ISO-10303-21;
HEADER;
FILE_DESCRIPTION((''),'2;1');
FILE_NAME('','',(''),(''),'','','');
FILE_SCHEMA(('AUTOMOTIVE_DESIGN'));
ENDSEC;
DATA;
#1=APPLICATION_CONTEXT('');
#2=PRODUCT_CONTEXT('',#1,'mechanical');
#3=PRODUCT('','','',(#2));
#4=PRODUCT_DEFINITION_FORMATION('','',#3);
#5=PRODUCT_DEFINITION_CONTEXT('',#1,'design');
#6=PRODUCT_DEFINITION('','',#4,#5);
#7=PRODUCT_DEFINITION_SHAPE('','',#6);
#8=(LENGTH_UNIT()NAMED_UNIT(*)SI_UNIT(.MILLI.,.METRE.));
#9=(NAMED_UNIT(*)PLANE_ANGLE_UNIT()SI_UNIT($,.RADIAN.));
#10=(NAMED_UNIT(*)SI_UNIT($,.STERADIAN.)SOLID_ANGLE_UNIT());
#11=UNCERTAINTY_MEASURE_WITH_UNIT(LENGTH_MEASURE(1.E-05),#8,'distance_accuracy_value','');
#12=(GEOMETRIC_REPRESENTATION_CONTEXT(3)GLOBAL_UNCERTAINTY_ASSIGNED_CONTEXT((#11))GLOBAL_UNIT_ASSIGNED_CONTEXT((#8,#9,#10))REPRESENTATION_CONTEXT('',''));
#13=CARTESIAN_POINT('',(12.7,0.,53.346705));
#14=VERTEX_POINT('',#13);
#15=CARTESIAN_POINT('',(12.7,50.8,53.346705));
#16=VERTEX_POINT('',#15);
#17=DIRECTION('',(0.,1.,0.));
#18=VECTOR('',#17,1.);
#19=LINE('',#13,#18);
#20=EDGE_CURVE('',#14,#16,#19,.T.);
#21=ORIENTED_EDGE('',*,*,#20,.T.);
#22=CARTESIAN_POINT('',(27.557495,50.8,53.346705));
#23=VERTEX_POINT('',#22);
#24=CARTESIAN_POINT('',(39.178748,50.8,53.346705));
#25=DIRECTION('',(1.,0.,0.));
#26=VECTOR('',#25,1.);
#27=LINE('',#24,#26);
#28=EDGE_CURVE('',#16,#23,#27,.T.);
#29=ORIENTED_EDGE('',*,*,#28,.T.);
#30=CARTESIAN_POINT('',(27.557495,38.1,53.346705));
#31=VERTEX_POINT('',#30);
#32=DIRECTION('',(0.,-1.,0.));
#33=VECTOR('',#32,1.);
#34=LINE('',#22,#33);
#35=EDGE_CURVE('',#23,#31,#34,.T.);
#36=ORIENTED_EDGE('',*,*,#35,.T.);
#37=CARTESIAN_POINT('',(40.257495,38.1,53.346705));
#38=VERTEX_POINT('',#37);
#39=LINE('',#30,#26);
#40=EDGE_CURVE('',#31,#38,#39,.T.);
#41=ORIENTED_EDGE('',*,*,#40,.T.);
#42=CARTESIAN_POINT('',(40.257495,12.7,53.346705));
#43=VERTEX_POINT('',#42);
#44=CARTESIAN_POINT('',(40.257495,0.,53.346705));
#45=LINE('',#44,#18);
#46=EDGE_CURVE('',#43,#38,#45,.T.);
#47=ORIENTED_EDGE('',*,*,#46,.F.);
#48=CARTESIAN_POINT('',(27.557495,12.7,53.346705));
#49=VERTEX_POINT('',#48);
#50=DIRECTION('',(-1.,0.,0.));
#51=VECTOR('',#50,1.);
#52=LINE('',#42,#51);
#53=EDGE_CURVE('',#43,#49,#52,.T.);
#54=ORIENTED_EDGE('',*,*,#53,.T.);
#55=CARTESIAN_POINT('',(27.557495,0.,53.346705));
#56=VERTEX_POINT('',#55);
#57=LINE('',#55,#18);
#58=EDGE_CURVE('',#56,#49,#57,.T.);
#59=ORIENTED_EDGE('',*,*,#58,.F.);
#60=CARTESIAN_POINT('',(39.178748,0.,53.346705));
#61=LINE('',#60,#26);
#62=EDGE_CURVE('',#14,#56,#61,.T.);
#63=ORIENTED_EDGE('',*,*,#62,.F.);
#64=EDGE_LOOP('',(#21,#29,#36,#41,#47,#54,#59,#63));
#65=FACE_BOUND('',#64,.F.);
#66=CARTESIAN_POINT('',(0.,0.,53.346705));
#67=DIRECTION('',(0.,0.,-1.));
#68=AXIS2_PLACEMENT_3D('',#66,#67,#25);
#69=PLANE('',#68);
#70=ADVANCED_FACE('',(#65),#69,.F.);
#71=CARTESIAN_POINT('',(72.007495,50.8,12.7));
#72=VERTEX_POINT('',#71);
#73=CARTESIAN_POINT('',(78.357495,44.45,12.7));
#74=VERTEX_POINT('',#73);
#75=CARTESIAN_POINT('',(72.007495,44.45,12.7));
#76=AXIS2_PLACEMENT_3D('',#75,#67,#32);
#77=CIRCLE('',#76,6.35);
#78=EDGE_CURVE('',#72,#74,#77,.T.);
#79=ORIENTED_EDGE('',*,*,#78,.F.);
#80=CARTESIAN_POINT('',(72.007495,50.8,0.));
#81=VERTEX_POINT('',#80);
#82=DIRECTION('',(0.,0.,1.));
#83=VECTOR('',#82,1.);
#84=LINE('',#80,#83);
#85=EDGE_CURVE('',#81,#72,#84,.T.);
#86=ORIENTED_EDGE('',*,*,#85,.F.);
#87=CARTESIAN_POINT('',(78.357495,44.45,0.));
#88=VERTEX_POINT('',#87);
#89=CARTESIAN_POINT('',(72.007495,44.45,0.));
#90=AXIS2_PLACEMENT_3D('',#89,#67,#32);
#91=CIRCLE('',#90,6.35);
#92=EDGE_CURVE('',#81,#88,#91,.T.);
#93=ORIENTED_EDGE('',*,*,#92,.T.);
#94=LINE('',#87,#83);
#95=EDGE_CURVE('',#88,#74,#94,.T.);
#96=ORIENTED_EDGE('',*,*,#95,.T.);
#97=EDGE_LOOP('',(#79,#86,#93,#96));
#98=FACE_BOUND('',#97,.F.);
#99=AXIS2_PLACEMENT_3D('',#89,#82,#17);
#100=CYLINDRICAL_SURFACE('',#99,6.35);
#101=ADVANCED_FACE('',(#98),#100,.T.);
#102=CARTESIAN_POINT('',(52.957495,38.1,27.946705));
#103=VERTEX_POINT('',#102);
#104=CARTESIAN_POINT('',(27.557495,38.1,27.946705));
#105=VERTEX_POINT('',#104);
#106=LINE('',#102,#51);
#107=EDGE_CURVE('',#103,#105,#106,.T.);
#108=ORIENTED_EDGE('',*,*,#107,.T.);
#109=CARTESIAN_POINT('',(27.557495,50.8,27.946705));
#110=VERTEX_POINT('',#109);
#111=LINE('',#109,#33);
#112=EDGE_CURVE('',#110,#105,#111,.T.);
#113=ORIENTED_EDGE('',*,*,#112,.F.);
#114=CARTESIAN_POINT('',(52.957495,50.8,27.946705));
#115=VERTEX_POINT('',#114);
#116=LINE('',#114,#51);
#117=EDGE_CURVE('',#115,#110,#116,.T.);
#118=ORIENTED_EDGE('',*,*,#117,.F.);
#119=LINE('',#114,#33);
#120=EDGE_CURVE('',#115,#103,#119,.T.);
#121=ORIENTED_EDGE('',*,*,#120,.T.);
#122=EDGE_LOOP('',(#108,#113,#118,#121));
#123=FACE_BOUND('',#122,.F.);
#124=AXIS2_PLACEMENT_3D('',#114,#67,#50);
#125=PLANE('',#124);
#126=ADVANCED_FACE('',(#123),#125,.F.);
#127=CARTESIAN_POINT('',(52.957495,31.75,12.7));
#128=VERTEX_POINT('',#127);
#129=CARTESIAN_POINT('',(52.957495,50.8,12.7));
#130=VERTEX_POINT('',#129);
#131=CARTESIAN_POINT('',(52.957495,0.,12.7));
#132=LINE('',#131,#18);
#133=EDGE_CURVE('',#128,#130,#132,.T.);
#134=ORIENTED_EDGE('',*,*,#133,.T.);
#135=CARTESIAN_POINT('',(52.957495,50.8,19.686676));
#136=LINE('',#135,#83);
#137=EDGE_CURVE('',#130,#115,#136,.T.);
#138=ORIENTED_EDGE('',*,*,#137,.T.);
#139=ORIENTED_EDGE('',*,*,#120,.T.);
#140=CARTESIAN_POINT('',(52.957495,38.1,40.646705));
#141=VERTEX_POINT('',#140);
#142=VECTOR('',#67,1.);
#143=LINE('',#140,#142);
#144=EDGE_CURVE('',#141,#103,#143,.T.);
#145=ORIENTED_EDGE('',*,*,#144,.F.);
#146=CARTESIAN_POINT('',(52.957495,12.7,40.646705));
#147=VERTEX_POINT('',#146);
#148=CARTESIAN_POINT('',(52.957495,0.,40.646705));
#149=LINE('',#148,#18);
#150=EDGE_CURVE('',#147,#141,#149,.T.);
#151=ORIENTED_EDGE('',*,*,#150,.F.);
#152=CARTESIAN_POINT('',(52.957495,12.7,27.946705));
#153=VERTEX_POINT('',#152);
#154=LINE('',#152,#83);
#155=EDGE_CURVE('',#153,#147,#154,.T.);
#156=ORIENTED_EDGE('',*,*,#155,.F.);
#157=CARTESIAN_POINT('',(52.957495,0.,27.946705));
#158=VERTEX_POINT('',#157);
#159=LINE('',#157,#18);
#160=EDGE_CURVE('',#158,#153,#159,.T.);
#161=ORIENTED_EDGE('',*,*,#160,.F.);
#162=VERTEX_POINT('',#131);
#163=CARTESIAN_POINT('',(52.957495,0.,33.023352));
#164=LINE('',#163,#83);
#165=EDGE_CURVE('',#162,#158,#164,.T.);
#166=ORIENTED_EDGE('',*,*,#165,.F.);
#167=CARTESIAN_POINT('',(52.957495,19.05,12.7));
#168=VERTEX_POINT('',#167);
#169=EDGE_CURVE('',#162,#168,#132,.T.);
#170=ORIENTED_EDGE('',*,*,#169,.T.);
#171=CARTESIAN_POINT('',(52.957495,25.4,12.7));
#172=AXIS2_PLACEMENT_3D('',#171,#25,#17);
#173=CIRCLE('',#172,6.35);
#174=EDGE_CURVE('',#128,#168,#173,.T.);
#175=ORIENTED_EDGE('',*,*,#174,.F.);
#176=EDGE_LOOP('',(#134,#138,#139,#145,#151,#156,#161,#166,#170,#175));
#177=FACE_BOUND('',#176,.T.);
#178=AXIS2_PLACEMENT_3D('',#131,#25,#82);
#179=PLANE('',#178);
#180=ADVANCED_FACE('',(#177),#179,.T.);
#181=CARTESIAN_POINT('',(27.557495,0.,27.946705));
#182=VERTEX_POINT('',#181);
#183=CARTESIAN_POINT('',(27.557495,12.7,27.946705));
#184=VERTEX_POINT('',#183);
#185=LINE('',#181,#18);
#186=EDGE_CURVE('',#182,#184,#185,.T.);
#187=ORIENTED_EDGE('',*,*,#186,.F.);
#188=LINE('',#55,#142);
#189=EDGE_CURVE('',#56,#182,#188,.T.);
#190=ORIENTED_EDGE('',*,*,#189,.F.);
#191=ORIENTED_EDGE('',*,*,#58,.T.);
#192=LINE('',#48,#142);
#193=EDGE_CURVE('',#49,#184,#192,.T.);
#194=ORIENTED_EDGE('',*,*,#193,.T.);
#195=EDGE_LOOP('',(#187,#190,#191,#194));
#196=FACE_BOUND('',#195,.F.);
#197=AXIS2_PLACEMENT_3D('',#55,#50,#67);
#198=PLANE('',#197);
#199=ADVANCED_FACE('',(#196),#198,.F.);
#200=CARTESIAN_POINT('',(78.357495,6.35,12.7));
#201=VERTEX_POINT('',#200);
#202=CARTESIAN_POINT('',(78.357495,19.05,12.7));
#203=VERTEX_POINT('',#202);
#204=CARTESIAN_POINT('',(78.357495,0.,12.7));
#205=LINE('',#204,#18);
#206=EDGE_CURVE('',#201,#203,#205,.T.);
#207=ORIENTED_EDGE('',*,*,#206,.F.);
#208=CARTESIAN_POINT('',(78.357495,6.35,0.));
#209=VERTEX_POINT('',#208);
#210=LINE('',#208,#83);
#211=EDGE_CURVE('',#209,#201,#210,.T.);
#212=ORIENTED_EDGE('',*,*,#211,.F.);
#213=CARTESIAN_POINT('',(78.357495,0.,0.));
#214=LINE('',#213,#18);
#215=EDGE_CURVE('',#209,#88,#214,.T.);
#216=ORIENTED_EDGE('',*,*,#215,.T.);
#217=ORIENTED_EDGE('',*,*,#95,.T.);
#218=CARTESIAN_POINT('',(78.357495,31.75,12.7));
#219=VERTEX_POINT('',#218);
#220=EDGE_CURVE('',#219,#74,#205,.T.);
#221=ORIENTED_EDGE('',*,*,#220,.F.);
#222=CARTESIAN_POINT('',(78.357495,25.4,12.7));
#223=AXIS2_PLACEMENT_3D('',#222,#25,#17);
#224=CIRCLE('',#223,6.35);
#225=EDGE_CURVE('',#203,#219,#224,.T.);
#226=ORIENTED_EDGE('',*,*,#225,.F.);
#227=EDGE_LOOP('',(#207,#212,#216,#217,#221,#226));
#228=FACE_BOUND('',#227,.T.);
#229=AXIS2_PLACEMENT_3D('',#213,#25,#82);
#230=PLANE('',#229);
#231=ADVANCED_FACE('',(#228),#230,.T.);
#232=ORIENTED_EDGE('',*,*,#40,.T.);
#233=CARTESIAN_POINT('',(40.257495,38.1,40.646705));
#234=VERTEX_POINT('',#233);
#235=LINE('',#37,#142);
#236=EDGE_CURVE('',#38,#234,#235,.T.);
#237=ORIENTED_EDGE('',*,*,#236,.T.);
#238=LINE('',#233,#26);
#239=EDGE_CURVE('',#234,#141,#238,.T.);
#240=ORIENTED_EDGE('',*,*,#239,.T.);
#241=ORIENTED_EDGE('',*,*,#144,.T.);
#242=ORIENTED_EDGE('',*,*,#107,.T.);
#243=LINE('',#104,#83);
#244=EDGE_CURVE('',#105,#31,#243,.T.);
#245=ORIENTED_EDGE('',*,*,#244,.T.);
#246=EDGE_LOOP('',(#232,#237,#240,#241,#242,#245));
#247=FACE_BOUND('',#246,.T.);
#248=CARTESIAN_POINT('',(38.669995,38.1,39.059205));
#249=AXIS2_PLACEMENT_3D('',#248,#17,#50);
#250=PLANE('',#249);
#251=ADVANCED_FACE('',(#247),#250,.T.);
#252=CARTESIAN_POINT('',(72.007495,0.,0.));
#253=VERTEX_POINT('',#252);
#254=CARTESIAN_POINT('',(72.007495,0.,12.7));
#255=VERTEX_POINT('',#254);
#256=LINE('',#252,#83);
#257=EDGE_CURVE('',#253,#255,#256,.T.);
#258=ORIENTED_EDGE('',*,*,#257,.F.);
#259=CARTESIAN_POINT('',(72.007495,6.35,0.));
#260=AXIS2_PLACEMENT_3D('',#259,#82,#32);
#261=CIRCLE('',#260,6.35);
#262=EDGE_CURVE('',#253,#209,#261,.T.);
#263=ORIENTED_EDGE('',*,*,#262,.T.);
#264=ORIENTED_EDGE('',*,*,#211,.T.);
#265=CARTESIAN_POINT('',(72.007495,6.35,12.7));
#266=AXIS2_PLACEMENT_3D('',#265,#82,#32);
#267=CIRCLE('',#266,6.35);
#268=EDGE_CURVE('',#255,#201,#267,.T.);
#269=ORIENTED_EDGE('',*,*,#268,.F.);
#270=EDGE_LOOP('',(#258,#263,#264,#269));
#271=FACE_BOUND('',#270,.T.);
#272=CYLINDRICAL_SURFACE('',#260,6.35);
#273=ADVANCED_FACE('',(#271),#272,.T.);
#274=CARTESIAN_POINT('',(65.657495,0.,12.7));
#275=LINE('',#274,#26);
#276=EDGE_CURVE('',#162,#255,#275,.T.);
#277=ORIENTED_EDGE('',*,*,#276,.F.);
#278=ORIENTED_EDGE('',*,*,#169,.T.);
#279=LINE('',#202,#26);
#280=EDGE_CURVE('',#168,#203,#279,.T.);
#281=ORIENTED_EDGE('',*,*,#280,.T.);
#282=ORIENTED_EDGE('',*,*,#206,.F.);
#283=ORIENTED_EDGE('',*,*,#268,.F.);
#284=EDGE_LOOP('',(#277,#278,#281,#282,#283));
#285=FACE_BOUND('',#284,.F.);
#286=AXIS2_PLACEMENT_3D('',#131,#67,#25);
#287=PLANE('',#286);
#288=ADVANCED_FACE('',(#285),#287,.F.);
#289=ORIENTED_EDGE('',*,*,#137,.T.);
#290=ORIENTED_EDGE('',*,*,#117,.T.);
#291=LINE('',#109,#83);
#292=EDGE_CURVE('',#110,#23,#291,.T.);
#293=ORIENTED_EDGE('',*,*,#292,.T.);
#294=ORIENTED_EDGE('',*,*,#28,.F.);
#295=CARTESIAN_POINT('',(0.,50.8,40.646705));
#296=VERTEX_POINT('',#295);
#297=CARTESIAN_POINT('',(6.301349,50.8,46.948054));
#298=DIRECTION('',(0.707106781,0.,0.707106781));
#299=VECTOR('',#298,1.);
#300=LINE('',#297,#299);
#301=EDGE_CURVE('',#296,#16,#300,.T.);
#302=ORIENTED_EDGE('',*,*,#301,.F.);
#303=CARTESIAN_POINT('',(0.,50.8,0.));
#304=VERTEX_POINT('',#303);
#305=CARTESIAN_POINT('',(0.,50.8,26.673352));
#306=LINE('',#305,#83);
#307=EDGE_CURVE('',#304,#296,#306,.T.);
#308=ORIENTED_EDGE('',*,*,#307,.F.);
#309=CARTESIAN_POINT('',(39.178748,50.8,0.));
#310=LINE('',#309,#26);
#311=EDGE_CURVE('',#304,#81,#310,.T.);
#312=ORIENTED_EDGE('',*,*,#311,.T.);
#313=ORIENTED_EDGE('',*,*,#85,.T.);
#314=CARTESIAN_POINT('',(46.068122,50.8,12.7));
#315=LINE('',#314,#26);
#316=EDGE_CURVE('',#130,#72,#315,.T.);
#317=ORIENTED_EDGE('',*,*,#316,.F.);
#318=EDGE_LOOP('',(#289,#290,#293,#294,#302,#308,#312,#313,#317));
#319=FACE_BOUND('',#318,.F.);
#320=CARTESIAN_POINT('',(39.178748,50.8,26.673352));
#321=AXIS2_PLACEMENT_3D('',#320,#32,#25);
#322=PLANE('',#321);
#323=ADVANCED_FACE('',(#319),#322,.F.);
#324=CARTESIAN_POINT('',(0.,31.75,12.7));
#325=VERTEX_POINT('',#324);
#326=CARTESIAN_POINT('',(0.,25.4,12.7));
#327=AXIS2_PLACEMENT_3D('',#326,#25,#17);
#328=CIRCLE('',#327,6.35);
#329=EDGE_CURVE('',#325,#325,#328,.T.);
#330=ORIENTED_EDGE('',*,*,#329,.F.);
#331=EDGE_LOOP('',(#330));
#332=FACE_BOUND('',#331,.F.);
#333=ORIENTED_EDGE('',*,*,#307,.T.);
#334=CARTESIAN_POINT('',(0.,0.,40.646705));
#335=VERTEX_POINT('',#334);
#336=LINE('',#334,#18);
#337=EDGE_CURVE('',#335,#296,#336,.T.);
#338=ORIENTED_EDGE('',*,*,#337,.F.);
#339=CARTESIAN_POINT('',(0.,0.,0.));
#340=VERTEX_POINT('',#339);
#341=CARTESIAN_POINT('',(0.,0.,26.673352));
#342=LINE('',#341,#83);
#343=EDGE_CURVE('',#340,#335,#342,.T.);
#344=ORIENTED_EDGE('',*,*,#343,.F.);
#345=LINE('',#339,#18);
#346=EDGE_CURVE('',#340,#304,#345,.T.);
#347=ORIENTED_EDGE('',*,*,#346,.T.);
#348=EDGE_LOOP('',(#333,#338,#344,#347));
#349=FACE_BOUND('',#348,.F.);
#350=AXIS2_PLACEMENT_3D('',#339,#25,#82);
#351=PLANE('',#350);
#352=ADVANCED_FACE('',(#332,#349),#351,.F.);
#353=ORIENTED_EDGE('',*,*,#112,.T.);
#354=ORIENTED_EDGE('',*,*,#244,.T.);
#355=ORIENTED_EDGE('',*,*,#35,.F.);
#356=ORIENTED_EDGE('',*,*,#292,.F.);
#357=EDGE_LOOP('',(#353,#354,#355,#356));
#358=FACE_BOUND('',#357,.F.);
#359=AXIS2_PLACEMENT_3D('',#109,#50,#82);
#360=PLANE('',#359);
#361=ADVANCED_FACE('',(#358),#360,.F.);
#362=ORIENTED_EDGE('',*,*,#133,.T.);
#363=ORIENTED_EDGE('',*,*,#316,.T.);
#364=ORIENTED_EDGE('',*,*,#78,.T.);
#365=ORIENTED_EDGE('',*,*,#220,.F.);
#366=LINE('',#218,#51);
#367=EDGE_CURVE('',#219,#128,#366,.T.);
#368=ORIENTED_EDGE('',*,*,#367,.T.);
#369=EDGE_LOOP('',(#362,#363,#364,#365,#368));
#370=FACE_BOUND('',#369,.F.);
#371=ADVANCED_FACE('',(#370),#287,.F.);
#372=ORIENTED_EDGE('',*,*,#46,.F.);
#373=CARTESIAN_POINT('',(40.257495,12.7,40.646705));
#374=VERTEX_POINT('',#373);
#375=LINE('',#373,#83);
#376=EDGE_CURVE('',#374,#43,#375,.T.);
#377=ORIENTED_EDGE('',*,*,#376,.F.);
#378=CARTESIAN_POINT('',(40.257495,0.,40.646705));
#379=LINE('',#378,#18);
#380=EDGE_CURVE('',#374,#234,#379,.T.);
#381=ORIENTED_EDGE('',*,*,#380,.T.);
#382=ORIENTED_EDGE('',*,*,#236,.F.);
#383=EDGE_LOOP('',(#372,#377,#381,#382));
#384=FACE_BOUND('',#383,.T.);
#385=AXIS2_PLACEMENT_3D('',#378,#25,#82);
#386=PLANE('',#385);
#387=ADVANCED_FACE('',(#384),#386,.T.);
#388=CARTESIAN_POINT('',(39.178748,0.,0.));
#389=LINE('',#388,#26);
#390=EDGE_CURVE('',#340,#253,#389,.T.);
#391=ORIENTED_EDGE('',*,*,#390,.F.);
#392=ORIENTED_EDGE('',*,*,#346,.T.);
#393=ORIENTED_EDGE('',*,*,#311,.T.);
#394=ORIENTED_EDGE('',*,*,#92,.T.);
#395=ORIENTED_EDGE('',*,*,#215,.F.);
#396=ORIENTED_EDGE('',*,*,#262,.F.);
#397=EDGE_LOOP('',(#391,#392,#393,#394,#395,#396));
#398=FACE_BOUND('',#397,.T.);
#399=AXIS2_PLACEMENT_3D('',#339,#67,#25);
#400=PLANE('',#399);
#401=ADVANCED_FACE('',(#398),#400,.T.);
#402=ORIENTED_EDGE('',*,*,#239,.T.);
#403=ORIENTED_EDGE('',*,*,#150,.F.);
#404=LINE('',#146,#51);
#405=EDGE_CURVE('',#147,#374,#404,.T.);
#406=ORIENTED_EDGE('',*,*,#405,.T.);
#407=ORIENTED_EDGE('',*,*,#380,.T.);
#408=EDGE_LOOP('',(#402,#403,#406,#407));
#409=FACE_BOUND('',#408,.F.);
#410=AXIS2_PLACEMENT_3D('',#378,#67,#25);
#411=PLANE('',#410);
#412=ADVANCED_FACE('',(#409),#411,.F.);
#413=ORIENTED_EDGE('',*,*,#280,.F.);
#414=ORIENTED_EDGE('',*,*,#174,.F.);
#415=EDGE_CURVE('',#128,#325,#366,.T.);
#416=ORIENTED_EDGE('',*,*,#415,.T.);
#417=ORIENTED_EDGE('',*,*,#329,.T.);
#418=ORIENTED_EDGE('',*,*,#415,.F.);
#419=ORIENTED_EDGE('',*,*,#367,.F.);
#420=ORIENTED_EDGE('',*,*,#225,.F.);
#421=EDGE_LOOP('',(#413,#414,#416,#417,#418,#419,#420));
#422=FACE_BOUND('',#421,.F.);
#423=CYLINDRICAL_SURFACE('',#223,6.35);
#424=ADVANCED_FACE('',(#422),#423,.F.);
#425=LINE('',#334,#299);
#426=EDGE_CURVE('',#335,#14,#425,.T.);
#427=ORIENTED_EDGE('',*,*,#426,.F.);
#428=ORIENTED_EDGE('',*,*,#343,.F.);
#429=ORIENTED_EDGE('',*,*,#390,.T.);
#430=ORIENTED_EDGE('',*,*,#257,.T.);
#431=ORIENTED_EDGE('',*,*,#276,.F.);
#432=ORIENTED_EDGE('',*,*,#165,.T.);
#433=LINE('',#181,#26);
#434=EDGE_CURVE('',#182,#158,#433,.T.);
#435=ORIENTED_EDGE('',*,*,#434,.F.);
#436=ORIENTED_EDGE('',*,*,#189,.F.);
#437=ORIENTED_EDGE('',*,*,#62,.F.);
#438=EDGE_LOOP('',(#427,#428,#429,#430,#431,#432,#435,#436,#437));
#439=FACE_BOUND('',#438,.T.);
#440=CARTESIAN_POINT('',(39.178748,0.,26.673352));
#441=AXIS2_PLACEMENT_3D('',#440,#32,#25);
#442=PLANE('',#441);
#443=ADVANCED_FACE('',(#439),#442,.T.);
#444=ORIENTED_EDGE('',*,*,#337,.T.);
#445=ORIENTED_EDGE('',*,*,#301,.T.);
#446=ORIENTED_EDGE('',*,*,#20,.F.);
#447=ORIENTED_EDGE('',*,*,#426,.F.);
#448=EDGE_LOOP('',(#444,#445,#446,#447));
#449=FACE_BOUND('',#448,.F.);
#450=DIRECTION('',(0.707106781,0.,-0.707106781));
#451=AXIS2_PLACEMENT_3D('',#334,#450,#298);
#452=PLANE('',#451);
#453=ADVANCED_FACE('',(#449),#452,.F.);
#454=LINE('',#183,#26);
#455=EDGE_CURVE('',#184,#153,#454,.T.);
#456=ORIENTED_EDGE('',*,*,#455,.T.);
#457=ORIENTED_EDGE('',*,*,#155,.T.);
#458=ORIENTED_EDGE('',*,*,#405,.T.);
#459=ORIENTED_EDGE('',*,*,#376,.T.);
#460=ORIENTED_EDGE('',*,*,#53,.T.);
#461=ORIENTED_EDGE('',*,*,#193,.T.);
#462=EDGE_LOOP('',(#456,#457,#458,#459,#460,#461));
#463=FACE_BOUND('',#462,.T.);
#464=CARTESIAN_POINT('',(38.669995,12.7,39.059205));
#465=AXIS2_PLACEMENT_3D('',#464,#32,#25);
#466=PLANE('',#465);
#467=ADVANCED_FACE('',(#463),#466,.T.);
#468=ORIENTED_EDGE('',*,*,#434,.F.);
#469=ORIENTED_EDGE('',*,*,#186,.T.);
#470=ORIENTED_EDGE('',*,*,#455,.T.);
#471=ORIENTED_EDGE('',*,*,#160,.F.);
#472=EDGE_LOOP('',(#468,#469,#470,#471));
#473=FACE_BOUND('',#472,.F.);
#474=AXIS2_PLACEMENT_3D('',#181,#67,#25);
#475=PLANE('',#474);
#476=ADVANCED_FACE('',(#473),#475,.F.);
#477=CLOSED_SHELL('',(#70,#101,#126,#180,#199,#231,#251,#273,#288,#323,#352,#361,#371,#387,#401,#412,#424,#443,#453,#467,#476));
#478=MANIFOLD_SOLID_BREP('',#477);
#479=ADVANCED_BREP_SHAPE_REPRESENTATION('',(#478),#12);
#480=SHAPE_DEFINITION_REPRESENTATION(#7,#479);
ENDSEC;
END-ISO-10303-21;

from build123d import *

# Parameters (mm, degrees)
F0_W      = 78.3574953675
F0_H      = 53.3467046916
F1_DEPTH  = 50.8
F3_DEPTH  = 50.801
F4_W      = 25.4
F4_H      = 40.6467046916
F5_DEPTH  = 50.801
F6_W      = 12.7
F6_H      = 12.7
F7_DEPTH  = 50.801
F9_DEPTH  = 12.7
F11_DEPTH = 12.7
F13_DEPTH = 78.3584953675
F14_R     = 6.35


with BuildPart() as f1:
    # F0 (on Front) → F1 (new body)
    with BuildSketch(Plane.XZ):
        with Locations((39.1787476838, 26.6733523458)):
            Rectangle(F0_W, F0_H)
    extrude(amount=-F1_DEPTH)

    # F2 (on face) → F3 (cut, through all)
    with BuildSketch(Plane.XZ):
        Polygon((0, 53.3467046916), (0, 40.6467046916), (12.7, 53.3467046916), align=None)
    extrude(amount=-F3_DEPTH, mode=Mode.SUBTRACT)

    # F4 (on face) → F5 (cut, through all)
    with BuildSketch(Plane.XZ):
        with Locations((65.6574953675, 33.0233523458)):
            Rectangle(F4_W, F4_H)
    extrude(amount=-F5_DEPTH, mode=Mode.SUBTRACT)

    # F6 (on face) → F7 (cut, through all)
    with BuildSketch(Plane.XZ):
        with Locations((46.6074953675, 46.9967046916)):
            Rectangle(F6_W, F6_H)
    extrude(amount=-F7_DEPTH, mode=Mode.SUBTRACT)

    # F8 (on face) → F9 (cut)
    with BuildSketch(Plane.XZ):
        Polygon((27.5574953675, 27.9467046916), (52.9574953675, 27.9467046916), (52.9574953675, 40.6467046916), (40.2574953675, 40.6467046916), (40.2574953675, 53.3467046916), (27.5574953675, 53.3467046916), align=None)
    extrude(amount=-F9_DEPTH, mode=Mode.SUBTRACT)

    # F10 (on face) → F11 (cut)
    with BuildSketch(Plane(origin=(0, 50.8, 0), x_dir=(-1, 0, 0), z_dir=(0, 1, 0))):
        Polygon((-52.9574953675, 40.6467046916), (-52.9574953675, 27.9467046916), (-27.5574953675, 27.9467046916), (-27.5574953675, 53.3467046916), (-40.2574953675, 53.3467046916), (-40.2574953675, 40.6467046916), align=None)
    extrude(amount=-F11_DEPTH, mode=Mode.SUBTRACT)

    # F12 (on face) → F13 (cut, through all)
    with BuildSketch(Plane.YZ.offset(78.3574953675)):
        with BuildLine():
            ThreePointArc((19.05, 12.7), (25.4, 6.35), (31.75, 12.7))
            Line((31.75, 12.7), (19.05, 12.7))
        make_face()
        with BuildLine():
            Line((19.05, 12.7), (31.75, 12.7))
            ThreePointArc((31.75, 12.7), (25.4, 19.05), (19.05, 12.7))
        make_face()
    extrude(amount=-F13_DEPTH, mode=Mode.SUBTRACT)

    # F14
    f14_edges = [f1.edges().sort_by_distance(p)[0] for p in [
        (78.357495, 50.8, 6.35),
        (78.357495, 0, 6.35),
    ]]
    fillet(f14_edges, radius=F14_R)


solid = f1.part
